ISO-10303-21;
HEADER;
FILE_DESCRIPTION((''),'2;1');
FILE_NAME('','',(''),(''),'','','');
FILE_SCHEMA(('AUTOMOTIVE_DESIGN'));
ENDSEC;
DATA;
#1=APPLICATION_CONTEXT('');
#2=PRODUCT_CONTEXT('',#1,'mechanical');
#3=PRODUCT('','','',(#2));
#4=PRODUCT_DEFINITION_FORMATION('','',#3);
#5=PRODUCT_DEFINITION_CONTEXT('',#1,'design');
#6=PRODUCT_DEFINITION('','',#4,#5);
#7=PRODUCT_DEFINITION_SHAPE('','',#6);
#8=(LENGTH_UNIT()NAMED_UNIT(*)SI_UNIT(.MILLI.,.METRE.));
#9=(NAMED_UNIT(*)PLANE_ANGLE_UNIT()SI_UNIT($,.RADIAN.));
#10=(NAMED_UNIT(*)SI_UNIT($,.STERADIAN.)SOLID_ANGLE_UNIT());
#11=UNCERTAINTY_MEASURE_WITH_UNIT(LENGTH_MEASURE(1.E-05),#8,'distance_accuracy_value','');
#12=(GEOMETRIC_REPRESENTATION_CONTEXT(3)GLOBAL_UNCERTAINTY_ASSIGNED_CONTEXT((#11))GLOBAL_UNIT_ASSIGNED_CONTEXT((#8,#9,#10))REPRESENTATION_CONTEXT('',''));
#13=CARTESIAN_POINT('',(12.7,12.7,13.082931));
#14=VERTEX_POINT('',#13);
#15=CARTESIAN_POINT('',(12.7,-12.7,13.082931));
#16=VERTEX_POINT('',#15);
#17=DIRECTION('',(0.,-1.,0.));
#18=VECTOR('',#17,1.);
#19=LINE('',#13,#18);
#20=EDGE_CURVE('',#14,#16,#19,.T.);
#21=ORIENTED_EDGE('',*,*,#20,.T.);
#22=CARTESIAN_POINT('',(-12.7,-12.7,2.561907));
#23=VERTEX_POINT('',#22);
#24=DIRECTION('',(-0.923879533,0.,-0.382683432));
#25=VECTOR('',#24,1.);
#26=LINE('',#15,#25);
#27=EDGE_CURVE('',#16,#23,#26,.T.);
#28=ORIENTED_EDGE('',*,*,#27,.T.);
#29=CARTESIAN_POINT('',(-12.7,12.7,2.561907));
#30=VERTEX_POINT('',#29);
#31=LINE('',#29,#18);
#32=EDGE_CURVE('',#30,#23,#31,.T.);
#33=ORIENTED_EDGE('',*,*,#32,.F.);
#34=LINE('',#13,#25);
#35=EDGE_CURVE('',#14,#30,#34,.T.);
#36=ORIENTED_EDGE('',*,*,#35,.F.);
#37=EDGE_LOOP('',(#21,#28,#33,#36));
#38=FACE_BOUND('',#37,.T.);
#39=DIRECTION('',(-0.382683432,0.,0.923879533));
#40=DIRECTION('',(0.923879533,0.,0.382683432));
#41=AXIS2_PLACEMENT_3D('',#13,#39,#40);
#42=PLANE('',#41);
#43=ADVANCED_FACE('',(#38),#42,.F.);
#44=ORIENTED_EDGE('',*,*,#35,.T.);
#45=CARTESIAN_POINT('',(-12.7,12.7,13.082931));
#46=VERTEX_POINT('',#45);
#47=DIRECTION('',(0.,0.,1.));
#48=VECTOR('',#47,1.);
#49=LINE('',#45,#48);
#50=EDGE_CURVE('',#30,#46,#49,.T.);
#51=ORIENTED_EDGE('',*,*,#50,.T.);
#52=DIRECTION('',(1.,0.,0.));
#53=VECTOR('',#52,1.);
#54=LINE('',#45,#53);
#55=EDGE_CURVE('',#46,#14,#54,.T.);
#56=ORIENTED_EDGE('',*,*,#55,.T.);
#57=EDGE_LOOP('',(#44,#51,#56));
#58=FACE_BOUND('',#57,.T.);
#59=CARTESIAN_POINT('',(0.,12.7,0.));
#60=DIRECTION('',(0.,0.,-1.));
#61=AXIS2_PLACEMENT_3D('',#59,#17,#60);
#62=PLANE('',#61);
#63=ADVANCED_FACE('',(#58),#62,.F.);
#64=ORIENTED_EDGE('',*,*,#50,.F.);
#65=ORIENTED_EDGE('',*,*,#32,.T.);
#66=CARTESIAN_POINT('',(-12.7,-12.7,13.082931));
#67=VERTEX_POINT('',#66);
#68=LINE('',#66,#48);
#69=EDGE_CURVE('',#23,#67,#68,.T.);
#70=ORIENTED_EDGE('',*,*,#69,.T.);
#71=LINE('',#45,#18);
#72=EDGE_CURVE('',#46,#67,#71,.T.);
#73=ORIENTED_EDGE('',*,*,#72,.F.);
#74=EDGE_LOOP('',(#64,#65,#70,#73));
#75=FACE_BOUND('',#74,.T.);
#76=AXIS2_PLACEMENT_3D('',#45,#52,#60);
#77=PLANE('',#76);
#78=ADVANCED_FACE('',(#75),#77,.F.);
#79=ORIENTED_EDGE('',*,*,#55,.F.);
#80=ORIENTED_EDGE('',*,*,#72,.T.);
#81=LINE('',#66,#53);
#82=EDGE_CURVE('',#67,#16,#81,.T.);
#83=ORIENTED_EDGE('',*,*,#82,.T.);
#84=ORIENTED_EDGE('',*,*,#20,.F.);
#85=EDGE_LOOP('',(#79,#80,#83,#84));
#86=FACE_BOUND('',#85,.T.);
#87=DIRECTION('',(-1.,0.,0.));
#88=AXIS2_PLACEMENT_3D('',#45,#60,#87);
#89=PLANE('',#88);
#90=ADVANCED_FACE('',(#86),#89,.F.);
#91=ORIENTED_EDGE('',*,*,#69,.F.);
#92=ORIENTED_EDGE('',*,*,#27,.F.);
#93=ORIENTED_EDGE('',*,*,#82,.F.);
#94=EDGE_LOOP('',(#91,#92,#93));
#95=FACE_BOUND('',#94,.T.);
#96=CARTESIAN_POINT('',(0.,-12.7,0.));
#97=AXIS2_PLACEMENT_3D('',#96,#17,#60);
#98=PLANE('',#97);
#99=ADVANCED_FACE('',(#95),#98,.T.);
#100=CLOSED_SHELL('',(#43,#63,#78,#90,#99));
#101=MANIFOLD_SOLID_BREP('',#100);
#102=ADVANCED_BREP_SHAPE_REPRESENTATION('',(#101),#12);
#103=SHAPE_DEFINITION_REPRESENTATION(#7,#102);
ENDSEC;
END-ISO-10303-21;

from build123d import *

# Parameters (mm, degrees)
BOSS_EXTRUDE1_DEPTH = 12.7


with BuildPart() as part:
    # Sketch1 → Boss-Extrude1 (new, symmetric)
    with BuildSketch(Plane(origin=(0, 0, 0), x_dir=(1, 0, 0), z_dir=(0, 1, 0))):
        Polygon((12.7, -13.082931372), (-12.7, -2.561906888), (-12.7, -13.082931372), align=None)
    extrude(amount=BOSS_EXTRUDE1_DEPTH, both=True)


solid = part.part
